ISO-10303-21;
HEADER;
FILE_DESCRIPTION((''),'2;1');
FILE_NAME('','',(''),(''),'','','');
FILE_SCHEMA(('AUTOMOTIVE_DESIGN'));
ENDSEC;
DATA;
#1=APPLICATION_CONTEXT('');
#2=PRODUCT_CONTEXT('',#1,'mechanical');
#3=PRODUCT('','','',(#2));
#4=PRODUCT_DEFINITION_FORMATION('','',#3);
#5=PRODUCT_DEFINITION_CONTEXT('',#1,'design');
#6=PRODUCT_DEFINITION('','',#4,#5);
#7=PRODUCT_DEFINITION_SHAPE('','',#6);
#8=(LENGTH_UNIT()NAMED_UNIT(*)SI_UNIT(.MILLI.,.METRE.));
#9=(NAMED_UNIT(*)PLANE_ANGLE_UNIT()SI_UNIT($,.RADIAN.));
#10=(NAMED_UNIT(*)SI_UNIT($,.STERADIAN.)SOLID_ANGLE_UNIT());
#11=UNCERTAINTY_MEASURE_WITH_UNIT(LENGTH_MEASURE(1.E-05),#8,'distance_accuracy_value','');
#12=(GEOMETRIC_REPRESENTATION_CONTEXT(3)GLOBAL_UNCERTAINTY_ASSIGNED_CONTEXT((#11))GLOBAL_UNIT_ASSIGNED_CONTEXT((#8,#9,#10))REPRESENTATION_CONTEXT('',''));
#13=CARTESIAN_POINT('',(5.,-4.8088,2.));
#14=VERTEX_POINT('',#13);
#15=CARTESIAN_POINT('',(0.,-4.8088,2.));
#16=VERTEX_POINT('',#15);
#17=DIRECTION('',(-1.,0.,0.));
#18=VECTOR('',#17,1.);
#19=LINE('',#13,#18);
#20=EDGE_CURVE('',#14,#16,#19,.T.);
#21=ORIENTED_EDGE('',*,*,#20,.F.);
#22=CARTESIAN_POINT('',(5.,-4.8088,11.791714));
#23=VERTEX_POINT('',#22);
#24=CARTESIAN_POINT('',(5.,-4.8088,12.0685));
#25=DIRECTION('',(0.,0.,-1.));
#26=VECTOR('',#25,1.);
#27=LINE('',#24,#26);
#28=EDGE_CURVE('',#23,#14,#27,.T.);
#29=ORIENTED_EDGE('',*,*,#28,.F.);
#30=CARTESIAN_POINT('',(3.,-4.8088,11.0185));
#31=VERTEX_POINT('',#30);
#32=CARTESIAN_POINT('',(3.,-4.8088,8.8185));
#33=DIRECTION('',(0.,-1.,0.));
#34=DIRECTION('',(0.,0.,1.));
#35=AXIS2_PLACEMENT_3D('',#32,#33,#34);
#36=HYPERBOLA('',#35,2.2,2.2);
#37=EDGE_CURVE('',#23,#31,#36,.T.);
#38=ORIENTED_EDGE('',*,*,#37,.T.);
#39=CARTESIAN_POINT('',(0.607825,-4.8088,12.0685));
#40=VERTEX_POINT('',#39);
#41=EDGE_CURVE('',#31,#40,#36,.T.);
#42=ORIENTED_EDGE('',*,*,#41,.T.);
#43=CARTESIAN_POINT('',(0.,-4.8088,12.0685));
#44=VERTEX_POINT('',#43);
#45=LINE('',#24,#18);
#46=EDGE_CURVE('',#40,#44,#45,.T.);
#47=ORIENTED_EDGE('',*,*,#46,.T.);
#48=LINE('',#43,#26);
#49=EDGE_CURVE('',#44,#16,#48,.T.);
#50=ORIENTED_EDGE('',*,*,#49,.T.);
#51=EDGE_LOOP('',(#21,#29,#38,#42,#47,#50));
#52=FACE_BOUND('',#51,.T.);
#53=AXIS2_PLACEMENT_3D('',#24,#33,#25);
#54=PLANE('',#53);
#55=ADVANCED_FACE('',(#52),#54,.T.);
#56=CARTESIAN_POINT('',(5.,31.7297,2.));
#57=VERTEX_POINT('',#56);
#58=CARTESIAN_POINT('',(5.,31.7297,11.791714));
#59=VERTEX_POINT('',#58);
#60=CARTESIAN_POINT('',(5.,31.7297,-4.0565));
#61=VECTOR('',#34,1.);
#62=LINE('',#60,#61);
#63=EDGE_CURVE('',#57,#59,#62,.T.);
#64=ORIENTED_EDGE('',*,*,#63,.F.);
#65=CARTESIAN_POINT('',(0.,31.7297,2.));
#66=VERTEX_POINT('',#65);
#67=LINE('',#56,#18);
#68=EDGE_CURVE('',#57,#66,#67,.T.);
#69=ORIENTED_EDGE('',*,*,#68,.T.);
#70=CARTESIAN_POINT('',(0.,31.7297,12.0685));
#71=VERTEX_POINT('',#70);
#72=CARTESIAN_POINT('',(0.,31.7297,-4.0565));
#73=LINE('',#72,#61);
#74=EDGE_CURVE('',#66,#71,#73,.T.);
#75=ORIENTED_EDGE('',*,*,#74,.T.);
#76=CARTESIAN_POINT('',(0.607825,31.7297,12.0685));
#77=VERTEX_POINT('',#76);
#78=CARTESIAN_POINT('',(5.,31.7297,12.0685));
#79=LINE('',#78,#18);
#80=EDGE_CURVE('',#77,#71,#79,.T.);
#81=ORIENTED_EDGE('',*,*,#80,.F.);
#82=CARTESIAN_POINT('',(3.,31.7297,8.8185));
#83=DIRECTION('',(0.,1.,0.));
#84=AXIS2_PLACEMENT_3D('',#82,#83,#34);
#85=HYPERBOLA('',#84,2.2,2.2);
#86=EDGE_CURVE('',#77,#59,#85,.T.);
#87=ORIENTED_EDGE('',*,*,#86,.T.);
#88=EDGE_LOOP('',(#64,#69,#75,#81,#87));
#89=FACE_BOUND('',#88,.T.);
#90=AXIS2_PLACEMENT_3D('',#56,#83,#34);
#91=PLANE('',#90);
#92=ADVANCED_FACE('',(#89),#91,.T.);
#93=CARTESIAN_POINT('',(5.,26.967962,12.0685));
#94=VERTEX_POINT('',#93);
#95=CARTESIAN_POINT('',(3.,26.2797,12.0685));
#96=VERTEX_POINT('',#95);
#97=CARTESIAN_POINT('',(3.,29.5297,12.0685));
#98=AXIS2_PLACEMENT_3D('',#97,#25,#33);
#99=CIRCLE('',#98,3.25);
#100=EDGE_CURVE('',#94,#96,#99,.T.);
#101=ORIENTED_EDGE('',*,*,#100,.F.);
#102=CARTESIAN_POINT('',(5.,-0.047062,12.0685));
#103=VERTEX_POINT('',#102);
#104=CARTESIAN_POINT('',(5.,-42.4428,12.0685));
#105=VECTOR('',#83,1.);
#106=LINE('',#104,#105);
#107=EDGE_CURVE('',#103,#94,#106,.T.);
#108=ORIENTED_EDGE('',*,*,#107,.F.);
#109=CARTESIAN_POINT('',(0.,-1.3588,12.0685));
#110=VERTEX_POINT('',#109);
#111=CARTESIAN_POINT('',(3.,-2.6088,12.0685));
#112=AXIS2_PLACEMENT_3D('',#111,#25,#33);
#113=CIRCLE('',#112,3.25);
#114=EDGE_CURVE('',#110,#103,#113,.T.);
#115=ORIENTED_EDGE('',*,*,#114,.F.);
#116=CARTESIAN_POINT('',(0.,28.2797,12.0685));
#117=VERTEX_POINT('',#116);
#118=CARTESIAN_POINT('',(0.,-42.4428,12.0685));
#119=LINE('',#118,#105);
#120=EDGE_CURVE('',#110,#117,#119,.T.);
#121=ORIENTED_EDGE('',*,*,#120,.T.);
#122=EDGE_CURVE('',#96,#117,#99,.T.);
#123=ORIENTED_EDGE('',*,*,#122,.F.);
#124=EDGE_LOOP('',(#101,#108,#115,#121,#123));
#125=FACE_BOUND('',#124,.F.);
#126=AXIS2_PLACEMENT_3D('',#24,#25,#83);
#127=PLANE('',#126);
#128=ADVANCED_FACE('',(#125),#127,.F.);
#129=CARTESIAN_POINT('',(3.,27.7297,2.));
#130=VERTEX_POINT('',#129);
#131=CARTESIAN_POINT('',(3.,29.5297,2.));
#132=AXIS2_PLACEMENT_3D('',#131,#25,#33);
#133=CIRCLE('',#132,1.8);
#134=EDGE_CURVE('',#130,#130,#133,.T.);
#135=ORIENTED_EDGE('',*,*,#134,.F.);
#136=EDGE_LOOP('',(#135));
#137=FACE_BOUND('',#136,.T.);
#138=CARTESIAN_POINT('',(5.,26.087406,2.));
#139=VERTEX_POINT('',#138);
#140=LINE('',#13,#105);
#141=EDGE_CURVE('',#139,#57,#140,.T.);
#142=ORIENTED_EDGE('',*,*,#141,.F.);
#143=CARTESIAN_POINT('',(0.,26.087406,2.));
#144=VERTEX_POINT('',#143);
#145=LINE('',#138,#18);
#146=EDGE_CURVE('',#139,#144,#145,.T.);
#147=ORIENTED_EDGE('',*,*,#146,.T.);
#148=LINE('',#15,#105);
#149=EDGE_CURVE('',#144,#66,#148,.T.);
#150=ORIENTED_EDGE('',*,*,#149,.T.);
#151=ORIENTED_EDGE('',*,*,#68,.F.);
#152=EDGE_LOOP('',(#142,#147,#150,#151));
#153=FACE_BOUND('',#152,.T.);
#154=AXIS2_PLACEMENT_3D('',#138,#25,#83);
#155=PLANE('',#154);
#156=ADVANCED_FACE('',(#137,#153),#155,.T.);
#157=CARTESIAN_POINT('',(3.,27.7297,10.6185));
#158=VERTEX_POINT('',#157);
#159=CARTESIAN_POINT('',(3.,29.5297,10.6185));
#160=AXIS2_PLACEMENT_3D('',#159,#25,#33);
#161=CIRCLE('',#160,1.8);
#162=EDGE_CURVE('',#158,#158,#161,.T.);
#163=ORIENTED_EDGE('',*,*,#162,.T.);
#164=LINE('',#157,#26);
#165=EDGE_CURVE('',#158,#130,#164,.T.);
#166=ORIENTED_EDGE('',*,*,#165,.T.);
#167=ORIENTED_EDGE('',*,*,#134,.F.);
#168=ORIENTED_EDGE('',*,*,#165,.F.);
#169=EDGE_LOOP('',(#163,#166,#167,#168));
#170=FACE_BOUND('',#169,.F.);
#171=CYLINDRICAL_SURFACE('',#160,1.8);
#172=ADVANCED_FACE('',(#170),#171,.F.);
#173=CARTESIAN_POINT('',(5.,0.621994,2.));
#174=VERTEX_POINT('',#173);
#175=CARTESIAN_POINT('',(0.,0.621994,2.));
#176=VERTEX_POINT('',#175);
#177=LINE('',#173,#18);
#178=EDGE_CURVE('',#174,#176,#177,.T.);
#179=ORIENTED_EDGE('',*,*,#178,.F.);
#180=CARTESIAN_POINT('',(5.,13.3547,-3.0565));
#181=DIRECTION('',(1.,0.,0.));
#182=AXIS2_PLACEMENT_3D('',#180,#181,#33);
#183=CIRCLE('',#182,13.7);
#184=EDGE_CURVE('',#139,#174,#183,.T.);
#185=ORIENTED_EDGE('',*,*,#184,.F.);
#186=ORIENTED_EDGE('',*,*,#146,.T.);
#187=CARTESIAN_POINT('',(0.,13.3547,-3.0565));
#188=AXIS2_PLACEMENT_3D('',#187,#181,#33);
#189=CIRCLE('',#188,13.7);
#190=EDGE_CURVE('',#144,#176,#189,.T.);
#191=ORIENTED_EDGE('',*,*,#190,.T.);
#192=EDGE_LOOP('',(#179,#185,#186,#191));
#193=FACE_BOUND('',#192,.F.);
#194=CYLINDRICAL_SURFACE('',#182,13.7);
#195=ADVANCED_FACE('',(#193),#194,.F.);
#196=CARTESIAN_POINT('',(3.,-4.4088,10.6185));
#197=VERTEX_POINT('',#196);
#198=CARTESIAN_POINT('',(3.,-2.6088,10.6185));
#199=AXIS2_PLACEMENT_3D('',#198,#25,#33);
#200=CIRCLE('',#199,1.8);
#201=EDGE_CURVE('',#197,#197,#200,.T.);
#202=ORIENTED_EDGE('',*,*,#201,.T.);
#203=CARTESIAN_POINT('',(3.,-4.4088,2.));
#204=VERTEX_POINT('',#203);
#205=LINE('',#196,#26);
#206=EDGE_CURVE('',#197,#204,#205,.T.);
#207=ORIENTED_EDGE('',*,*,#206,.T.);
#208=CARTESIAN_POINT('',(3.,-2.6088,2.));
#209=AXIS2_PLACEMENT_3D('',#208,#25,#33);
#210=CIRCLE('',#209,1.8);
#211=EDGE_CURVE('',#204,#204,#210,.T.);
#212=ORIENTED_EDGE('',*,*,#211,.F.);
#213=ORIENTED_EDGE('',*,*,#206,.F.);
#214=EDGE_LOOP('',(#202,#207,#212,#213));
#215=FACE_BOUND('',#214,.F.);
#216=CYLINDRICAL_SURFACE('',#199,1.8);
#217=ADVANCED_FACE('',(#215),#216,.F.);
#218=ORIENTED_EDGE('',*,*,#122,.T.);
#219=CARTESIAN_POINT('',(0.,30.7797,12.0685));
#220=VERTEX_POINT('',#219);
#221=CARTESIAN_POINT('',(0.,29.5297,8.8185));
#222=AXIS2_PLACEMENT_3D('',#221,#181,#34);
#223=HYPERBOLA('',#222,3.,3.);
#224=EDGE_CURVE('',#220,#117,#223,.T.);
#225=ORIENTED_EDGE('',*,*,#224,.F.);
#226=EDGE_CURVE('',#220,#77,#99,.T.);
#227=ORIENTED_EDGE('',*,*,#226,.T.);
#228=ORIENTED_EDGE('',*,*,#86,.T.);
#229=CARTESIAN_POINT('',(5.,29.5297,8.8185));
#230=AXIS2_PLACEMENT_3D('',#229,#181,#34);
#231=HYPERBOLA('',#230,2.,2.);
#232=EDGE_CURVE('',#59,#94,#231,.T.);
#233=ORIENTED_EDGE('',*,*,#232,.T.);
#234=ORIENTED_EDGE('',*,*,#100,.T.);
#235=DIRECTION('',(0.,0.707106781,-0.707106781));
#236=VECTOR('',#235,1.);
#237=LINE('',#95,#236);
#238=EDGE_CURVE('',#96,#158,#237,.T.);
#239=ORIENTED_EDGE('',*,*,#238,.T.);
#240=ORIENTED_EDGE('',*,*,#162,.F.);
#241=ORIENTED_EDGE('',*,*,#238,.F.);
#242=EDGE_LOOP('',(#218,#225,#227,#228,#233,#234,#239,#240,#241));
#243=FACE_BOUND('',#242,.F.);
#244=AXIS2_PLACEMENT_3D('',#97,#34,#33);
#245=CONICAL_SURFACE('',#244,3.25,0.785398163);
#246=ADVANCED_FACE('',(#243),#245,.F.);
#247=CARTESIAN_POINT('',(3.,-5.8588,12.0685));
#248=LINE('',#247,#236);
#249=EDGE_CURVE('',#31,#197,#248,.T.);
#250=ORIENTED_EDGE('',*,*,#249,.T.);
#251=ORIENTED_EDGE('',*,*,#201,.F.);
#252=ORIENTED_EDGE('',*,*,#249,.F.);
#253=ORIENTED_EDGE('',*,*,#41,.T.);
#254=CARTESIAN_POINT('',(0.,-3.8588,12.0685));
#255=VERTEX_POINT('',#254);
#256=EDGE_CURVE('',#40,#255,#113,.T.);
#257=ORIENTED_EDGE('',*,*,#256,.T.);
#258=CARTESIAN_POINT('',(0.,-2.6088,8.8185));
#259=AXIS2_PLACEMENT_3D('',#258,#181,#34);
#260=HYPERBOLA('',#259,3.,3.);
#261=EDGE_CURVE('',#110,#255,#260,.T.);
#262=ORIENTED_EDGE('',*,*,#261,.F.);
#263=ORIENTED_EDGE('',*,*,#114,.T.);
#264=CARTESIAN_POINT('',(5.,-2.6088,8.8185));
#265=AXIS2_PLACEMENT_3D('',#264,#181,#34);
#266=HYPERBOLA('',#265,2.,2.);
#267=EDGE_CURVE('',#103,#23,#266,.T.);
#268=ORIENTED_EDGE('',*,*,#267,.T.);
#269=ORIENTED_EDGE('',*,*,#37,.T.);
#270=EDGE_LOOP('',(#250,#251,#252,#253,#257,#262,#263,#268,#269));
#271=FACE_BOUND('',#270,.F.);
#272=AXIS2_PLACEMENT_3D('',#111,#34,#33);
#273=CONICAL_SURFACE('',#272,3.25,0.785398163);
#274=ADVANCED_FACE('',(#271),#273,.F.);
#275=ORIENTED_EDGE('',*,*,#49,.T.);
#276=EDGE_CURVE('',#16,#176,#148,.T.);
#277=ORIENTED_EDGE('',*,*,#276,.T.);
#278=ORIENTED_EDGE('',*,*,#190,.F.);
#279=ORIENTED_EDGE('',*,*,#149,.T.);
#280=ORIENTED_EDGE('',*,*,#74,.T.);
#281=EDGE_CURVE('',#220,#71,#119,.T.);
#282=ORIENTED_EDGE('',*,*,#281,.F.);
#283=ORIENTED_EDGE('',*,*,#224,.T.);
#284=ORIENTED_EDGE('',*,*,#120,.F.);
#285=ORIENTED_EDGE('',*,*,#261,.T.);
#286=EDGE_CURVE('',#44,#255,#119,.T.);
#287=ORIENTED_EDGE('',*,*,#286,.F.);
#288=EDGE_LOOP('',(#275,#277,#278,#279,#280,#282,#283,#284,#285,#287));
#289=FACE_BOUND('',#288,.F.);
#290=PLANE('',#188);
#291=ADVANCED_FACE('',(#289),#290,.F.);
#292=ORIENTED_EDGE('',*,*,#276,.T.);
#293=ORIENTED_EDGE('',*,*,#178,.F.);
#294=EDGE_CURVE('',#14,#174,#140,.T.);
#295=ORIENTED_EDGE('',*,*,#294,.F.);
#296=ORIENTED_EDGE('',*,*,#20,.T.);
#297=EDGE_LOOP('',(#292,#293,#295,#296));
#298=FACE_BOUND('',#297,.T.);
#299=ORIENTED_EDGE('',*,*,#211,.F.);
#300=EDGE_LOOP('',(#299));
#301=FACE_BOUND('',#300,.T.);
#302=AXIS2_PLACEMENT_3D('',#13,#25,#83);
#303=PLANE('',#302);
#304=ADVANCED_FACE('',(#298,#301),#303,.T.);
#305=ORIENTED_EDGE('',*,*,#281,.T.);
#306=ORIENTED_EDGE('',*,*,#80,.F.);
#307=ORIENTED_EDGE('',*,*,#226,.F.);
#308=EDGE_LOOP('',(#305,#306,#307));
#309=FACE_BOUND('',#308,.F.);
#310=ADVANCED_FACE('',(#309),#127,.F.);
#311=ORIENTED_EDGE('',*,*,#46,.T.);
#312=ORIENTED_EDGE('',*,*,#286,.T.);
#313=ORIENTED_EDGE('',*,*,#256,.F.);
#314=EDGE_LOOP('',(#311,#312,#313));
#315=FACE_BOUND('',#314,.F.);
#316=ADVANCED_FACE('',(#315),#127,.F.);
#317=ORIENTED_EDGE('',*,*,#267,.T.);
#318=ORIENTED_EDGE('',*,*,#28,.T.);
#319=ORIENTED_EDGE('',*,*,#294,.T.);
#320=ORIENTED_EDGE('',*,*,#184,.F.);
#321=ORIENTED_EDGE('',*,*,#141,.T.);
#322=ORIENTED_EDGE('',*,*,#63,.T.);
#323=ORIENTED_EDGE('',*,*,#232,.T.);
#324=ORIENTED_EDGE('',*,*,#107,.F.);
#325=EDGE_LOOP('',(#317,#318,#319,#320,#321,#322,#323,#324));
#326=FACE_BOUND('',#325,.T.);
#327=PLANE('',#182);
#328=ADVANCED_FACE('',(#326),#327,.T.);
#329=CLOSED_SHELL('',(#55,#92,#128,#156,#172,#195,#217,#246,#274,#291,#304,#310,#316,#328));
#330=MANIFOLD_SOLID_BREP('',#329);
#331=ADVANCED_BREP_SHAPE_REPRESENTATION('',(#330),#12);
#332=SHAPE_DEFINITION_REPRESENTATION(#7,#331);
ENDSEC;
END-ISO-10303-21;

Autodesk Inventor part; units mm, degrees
ref_plane "YZ Plane" through (0, 0, 0) normal (1, 0, 0) x (0, 1, 0)
ref_plane "XZ Plane" through (0, 0, 0) normal (0, 1, 0) x (-1, 0, 0)
ref_plane "Work Plane1" through (5, 13.3547, -3.0565) normal (1, 0, 0) x (0, -1, 0)
ref_plane "Work Plane2" through (0, -4.8088, -18.4315) normal (-1, 0, 0) x (0, 0, 1)
sketch "Sketch1" plane through (5, 13.3547, -3.0565) normal (1, 0, 0) x (0, -1, 0)
  arc A0 (6.1228, -3.0565) -> (-6.1228, -3.0565) centre (0, 0) ccw projected
  line L0 (6.1228, -3.0565) -> (18.1635, -3.0565) projected
  line L1 (18.1635, -3.0565) -> (18.1635, 15.375) projected
  line L2 (18.1635, 15.375) -> (-18.375, 15.375) projected
  line L3 (-18.375, 15.375) -> (-18.375, -3.0565) projected
  line L4 (-18.375, -3.0565) -> (-6.1228, -3.0565) projected
  circle A1 centre (8, 0) radius 1.0564 projected
  circle A2 centre (-8, 0) radius 1.0564 projected
  circle A3 centre (8, 0) radius 1.0564 projected
  circle A4 centre (-8, 0) radius 1.0564 projected
  circle A5 centre (0, 0) radius 5 projected
  circle A6 centre (0, 0) radius 13.7 projected
  line L5 (18.1635, 15.375) -> (18.1635, 1) projected
  line L6 (18.1635, 1) -> (13.6635, 1) projected
  arc A7 (13.6635, 1) -> (-13.6635, 1) centre (0, 0) ccw projected
  line L7 (-13.6635, 1) -> (-18.375, 1) projected
  line L8 (-18.375, 1) -> (-18.375, -15.125) projected
  line L9 (55.7975, -15.125) -> (-18.375, -15.125) projected
  line L10 (55.7975, -15.125) -> (55.7975, 5.375) projected
  line L11 (55.7975, 5.375) -> (48.7975, 5.375) projected
  line L12 (48.7975, 5.375) -> (48.7975, 15.375) projected
  line L13 (48.7975, 15.375) -> (18.1635, 15.375) projected
  line L14 (-18.375, -15.125) -> (18.1635, -15.125)
  line L15 (18.1635, -15.125) -> (18.1635, -5.0565)
  line L16 (18.1635, -5.0565) -> (-18.375, -5.0565)
  line L17 (-18.375, -5.0565) -> (-18.375, -15.125)
  circle A8 centre (0, 0) radius 9
  point P0 (13.3547, -3.0565)
  point P1 (7.4453, -5.0565)
  point P2 (-7.4453, -5.0565)
  point P3 (-18.375, -5.0565)
  point P4 (18.1635, -15.125)
  point P5 (12.7327, -5.0565)
  point P6 (-12.7327, -5.0565)
  dimension "d0" = 2
  dimension "d1" = 18
extrude "Extrusion1" add sketch "Sketch1" against normal up to surface (5 mm away) contours L16 L15 L9 L8 A6
sketch "Sketch2" plane through (5, -4.8088, 12.0685) normal (0, 0, 1) x (1, 0, 0)
  line L0 (-5, 4.8088) -> (0, 4.8088) projected
  line L1 (-5, 4.8088) -> (-5, 0) projected
  line L2 (-5, 0) -> (4.7, 0) projected
  line L3 (4.7, 12.0407) -> (4.7, 0) projected
  line L4 (0, 12.0407) -> (4.7, 12.0407) projected
  line L5 (0, 12.0407) -> (0, 4.8088) projected
  line L6 (-5, 36.5385) -> (4.7, 36.5385) projected
  line L7 (-5, 36.5385) -> (-5, 31.5181) projected
  line L8 (-5, 31.5181) -> (0, 31.5181) projected
  line L9 (0, 31.5181) -> (0, 24.2862) projected
  line L10 (0, 24.2862) -> (4.7, 24.2862) projected
  line L11 (4.7, 36.5385) -> (4.7, 24.2862) projected
  point P0 (-2, 2.2)
  point P1 (-2, 34.3385)
  dimension "d6" = 2.2
  dimension "d7" = 2.2
  dimension "d8" = 3
  dimension "d9" = 3
hole "Hole1" at (3, -2.6088, 12.0685) at (3, 29.5297, 12.0685) direction (0, 0, -1) diameter 3.6 end through all countersink diameter 6.5 countersink angle 90 clearance for "Countersunk Flat Head Screw ISO 2009/7046" size "M3" standard "ISO"
properties part number "right_motor_ceil_2"
